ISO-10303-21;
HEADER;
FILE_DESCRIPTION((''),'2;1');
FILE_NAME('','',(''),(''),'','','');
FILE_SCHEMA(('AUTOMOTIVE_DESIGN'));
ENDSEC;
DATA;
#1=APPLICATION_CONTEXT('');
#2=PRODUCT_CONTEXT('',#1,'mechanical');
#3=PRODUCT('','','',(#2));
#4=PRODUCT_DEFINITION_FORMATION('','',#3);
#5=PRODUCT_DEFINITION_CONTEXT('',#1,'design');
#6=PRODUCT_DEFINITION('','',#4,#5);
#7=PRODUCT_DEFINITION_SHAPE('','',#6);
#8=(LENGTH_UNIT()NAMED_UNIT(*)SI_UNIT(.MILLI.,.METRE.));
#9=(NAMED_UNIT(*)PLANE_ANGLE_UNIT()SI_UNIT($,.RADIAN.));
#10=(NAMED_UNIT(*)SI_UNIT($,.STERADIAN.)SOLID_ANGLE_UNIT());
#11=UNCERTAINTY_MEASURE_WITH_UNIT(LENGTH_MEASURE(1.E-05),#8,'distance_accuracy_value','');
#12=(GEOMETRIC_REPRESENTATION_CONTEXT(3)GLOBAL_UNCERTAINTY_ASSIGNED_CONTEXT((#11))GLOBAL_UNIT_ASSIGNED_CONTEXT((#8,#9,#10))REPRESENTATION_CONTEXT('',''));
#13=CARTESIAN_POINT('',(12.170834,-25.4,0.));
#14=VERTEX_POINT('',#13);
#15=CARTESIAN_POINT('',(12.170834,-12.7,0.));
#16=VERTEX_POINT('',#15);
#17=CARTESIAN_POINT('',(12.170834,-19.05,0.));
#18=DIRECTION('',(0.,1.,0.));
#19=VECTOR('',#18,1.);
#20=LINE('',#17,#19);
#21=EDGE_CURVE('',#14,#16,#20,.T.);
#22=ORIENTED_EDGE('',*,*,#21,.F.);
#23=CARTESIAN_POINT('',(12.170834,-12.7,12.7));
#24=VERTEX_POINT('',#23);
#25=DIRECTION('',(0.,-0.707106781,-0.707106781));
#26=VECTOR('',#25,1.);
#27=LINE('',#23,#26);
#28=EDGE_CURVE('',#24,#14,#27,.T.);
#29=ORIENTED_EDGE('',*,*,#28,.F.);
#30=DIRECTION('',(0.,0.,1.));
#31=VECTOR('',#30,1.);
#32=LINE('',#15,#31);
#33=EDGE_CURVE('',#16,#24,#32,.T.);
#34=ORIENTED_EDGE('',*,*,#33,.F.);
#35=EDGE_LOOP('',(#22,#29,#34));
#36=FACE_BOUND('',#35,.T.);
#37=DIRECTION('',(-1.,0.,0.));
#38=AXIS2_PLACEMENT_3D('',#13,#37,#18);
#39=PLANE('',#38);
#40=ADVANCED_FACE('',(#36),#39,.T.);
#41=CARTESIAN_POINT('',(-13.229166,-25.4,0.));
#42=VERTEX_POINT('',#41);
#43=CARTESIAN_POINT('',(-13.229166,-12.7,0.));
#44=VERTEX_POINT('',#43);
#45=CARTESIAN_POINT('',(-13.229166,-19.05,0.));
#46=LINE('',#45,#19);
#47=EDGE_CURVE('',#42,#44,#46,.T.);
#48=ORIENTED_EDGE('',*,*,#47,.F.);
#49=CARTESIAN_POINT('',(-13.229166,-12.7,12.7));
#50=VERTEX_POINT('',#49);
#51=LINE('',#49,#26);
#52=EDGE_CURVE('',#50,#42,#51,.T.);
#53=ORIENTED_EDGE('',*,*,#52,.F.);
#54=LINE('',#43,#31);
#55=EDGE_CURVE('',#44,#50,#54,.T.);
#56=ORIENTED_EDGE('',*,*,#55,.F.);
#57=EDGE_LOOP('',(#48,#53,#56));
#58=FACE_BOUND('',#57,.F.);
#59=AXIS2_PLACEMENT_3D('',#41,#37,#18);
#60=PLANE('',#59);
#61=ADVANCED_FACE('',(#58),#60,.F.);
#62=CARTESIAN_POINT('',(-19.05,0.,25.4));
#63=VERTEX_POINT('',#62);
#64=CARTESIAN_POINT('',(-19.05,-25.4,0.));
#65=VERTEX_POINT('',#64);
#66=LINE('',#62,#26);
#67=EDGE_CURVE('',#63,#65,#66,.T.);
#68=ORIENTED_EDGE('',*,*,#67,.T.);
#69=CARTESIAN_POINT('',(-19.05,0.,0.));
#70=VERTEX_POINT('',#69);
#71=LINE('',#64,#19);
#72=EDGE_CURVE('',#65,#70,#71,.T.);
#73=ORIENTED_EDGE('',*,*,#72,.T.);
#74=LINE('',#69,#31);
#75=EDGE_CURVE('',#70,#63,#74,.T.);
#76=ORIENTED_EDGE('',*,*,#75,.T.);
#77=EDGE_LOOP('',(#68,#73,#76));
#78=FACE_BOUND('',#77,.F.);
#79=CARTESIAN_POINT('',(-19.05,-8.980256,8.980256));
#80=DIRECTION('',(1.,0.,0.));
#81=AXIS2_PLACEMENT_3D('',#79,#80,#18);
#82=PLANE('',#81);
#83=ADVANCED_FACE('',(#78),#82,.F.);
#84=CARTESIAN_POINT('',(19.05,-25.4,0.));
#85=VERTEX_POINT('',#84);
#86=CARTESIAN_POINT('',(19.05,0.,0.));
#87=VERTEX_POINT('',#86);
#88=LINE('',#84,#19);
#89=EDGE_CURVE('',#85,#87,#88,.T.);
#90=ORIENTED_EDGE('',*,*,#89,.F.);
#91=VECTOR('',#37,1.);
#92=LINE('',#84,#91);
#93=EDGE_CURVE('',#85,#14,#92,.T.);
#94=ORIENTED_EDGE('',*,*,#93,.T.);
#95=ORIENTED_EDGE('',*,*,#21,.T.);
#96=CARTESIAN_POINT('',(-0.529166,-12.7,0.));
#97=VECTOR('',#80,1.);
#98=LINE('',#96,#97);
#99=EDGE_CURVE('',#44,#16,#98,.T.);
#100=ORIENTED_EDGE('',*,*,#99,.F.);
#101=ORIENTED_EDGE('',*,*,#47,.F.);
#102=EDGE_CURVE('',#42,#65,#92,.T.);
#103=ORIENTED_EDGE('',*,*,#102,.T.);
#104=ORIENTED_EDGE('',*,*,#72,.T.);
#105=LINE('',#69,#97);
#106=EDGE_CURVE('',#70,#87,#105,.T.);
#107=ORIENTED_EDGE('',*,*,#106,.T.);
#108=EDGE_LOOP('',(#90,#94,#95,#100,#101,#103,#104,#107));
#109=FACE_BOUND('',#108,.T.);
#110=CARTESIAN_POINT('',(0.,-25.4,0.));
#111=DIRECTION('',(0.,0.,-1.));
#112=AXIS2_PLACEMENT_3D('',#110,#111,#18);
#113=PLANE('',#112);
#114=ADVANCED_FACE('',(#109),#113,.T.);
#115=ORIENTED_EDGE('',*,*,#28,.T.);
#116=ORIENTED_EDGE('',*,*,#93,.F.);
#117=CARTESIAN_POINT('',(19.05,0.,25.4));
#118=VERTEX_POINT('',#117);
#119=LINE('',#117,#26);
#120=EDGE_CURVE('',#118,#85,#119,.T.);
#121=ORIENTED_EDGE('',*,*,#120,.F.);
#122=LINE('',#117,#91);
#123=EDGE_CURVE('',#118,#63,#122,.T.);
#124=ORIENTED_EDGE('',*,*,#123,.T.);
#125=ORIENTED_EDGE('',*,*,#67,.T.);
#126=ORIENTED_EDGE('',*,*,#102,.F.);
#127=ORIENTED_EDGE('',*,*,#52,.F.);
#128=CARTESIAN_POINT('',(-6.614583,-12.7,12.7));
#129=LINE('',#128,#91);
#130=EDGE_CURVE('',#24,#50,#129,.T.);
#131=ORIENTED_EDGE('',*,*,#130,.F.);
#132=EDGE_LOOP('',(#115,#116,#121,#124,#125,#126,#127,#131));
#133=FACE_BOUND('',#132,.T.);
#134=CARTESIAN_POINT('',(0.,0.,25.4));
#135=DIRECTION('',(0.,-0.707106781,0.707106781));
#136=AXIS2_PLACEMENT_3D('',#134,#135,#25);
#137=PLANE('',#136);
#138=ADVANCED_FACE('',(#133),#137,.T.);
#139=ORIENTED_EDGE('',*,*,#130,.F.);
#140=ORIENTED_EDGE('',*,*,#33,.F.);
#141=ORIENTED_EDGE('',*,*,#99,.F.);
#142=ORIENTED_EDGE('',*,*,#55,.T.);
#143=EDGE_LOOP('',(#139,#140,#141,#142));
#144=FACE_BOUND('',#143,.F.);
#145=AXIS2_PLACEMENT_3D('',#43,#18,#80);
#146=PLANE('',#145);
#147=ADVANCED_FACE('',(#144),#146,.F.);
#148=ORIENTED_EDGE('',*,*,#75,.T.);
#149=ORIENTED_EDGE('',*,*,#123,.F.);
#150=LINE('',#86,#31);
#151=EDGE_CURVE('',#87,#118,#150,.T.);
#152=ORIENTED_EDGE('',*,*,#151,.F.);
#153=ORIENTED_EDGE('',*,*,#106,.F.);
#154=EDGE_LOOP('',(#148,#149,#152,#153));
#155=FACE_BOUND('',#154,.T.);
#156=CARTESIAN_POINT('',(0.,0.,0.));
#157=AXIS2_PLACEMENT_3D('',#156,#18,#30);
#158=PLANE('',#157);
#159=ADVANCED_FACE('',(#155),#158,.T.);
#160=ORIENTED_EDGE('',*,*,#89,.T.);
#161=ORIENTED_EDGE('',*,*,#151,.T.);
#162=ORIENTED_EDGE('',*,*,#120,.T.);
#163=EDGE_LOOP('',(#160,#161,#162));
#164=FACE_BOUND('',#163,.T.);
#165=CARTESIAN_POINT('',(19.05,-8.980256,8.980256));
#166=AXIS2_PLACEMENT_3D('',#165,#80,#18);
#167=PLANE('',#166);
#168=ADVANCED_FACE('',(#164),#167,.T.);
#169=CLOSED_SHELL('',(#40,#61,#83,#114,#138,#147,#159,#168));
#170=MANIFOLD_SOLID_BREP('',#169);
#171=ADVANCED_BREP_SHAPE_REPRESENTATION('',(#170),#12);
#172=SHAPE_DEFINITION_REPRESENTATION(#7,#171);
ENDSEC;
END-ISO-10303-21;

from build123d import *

# Parameters (mm, degrees)
F1_DEPTH = 19.05
F2_W     = 25.4
F2_H     = 12.7
F3_DEPTH = 25.401


with BuildPart() as f1:
    # F0 (on Right) → F1 (new body, symmetric)
    with BuildSketch(Plane.YZ):
        Polygon((-25.4, 0), (0, 0), (0, 25.4), align=None)
    extrude(amount=F1_DEPTH, both=True)

    # F2 (on Top) → F3 (cut, through all)
    with BuildSketch(Plane.XY):
        with Locations((-0.529166, -19.05)):
            Rectangle(F2_W, F2_H)
    extrude(amount=F3_DEPTH, mode=Mode.SUBTRACT)


solid = f1.part
